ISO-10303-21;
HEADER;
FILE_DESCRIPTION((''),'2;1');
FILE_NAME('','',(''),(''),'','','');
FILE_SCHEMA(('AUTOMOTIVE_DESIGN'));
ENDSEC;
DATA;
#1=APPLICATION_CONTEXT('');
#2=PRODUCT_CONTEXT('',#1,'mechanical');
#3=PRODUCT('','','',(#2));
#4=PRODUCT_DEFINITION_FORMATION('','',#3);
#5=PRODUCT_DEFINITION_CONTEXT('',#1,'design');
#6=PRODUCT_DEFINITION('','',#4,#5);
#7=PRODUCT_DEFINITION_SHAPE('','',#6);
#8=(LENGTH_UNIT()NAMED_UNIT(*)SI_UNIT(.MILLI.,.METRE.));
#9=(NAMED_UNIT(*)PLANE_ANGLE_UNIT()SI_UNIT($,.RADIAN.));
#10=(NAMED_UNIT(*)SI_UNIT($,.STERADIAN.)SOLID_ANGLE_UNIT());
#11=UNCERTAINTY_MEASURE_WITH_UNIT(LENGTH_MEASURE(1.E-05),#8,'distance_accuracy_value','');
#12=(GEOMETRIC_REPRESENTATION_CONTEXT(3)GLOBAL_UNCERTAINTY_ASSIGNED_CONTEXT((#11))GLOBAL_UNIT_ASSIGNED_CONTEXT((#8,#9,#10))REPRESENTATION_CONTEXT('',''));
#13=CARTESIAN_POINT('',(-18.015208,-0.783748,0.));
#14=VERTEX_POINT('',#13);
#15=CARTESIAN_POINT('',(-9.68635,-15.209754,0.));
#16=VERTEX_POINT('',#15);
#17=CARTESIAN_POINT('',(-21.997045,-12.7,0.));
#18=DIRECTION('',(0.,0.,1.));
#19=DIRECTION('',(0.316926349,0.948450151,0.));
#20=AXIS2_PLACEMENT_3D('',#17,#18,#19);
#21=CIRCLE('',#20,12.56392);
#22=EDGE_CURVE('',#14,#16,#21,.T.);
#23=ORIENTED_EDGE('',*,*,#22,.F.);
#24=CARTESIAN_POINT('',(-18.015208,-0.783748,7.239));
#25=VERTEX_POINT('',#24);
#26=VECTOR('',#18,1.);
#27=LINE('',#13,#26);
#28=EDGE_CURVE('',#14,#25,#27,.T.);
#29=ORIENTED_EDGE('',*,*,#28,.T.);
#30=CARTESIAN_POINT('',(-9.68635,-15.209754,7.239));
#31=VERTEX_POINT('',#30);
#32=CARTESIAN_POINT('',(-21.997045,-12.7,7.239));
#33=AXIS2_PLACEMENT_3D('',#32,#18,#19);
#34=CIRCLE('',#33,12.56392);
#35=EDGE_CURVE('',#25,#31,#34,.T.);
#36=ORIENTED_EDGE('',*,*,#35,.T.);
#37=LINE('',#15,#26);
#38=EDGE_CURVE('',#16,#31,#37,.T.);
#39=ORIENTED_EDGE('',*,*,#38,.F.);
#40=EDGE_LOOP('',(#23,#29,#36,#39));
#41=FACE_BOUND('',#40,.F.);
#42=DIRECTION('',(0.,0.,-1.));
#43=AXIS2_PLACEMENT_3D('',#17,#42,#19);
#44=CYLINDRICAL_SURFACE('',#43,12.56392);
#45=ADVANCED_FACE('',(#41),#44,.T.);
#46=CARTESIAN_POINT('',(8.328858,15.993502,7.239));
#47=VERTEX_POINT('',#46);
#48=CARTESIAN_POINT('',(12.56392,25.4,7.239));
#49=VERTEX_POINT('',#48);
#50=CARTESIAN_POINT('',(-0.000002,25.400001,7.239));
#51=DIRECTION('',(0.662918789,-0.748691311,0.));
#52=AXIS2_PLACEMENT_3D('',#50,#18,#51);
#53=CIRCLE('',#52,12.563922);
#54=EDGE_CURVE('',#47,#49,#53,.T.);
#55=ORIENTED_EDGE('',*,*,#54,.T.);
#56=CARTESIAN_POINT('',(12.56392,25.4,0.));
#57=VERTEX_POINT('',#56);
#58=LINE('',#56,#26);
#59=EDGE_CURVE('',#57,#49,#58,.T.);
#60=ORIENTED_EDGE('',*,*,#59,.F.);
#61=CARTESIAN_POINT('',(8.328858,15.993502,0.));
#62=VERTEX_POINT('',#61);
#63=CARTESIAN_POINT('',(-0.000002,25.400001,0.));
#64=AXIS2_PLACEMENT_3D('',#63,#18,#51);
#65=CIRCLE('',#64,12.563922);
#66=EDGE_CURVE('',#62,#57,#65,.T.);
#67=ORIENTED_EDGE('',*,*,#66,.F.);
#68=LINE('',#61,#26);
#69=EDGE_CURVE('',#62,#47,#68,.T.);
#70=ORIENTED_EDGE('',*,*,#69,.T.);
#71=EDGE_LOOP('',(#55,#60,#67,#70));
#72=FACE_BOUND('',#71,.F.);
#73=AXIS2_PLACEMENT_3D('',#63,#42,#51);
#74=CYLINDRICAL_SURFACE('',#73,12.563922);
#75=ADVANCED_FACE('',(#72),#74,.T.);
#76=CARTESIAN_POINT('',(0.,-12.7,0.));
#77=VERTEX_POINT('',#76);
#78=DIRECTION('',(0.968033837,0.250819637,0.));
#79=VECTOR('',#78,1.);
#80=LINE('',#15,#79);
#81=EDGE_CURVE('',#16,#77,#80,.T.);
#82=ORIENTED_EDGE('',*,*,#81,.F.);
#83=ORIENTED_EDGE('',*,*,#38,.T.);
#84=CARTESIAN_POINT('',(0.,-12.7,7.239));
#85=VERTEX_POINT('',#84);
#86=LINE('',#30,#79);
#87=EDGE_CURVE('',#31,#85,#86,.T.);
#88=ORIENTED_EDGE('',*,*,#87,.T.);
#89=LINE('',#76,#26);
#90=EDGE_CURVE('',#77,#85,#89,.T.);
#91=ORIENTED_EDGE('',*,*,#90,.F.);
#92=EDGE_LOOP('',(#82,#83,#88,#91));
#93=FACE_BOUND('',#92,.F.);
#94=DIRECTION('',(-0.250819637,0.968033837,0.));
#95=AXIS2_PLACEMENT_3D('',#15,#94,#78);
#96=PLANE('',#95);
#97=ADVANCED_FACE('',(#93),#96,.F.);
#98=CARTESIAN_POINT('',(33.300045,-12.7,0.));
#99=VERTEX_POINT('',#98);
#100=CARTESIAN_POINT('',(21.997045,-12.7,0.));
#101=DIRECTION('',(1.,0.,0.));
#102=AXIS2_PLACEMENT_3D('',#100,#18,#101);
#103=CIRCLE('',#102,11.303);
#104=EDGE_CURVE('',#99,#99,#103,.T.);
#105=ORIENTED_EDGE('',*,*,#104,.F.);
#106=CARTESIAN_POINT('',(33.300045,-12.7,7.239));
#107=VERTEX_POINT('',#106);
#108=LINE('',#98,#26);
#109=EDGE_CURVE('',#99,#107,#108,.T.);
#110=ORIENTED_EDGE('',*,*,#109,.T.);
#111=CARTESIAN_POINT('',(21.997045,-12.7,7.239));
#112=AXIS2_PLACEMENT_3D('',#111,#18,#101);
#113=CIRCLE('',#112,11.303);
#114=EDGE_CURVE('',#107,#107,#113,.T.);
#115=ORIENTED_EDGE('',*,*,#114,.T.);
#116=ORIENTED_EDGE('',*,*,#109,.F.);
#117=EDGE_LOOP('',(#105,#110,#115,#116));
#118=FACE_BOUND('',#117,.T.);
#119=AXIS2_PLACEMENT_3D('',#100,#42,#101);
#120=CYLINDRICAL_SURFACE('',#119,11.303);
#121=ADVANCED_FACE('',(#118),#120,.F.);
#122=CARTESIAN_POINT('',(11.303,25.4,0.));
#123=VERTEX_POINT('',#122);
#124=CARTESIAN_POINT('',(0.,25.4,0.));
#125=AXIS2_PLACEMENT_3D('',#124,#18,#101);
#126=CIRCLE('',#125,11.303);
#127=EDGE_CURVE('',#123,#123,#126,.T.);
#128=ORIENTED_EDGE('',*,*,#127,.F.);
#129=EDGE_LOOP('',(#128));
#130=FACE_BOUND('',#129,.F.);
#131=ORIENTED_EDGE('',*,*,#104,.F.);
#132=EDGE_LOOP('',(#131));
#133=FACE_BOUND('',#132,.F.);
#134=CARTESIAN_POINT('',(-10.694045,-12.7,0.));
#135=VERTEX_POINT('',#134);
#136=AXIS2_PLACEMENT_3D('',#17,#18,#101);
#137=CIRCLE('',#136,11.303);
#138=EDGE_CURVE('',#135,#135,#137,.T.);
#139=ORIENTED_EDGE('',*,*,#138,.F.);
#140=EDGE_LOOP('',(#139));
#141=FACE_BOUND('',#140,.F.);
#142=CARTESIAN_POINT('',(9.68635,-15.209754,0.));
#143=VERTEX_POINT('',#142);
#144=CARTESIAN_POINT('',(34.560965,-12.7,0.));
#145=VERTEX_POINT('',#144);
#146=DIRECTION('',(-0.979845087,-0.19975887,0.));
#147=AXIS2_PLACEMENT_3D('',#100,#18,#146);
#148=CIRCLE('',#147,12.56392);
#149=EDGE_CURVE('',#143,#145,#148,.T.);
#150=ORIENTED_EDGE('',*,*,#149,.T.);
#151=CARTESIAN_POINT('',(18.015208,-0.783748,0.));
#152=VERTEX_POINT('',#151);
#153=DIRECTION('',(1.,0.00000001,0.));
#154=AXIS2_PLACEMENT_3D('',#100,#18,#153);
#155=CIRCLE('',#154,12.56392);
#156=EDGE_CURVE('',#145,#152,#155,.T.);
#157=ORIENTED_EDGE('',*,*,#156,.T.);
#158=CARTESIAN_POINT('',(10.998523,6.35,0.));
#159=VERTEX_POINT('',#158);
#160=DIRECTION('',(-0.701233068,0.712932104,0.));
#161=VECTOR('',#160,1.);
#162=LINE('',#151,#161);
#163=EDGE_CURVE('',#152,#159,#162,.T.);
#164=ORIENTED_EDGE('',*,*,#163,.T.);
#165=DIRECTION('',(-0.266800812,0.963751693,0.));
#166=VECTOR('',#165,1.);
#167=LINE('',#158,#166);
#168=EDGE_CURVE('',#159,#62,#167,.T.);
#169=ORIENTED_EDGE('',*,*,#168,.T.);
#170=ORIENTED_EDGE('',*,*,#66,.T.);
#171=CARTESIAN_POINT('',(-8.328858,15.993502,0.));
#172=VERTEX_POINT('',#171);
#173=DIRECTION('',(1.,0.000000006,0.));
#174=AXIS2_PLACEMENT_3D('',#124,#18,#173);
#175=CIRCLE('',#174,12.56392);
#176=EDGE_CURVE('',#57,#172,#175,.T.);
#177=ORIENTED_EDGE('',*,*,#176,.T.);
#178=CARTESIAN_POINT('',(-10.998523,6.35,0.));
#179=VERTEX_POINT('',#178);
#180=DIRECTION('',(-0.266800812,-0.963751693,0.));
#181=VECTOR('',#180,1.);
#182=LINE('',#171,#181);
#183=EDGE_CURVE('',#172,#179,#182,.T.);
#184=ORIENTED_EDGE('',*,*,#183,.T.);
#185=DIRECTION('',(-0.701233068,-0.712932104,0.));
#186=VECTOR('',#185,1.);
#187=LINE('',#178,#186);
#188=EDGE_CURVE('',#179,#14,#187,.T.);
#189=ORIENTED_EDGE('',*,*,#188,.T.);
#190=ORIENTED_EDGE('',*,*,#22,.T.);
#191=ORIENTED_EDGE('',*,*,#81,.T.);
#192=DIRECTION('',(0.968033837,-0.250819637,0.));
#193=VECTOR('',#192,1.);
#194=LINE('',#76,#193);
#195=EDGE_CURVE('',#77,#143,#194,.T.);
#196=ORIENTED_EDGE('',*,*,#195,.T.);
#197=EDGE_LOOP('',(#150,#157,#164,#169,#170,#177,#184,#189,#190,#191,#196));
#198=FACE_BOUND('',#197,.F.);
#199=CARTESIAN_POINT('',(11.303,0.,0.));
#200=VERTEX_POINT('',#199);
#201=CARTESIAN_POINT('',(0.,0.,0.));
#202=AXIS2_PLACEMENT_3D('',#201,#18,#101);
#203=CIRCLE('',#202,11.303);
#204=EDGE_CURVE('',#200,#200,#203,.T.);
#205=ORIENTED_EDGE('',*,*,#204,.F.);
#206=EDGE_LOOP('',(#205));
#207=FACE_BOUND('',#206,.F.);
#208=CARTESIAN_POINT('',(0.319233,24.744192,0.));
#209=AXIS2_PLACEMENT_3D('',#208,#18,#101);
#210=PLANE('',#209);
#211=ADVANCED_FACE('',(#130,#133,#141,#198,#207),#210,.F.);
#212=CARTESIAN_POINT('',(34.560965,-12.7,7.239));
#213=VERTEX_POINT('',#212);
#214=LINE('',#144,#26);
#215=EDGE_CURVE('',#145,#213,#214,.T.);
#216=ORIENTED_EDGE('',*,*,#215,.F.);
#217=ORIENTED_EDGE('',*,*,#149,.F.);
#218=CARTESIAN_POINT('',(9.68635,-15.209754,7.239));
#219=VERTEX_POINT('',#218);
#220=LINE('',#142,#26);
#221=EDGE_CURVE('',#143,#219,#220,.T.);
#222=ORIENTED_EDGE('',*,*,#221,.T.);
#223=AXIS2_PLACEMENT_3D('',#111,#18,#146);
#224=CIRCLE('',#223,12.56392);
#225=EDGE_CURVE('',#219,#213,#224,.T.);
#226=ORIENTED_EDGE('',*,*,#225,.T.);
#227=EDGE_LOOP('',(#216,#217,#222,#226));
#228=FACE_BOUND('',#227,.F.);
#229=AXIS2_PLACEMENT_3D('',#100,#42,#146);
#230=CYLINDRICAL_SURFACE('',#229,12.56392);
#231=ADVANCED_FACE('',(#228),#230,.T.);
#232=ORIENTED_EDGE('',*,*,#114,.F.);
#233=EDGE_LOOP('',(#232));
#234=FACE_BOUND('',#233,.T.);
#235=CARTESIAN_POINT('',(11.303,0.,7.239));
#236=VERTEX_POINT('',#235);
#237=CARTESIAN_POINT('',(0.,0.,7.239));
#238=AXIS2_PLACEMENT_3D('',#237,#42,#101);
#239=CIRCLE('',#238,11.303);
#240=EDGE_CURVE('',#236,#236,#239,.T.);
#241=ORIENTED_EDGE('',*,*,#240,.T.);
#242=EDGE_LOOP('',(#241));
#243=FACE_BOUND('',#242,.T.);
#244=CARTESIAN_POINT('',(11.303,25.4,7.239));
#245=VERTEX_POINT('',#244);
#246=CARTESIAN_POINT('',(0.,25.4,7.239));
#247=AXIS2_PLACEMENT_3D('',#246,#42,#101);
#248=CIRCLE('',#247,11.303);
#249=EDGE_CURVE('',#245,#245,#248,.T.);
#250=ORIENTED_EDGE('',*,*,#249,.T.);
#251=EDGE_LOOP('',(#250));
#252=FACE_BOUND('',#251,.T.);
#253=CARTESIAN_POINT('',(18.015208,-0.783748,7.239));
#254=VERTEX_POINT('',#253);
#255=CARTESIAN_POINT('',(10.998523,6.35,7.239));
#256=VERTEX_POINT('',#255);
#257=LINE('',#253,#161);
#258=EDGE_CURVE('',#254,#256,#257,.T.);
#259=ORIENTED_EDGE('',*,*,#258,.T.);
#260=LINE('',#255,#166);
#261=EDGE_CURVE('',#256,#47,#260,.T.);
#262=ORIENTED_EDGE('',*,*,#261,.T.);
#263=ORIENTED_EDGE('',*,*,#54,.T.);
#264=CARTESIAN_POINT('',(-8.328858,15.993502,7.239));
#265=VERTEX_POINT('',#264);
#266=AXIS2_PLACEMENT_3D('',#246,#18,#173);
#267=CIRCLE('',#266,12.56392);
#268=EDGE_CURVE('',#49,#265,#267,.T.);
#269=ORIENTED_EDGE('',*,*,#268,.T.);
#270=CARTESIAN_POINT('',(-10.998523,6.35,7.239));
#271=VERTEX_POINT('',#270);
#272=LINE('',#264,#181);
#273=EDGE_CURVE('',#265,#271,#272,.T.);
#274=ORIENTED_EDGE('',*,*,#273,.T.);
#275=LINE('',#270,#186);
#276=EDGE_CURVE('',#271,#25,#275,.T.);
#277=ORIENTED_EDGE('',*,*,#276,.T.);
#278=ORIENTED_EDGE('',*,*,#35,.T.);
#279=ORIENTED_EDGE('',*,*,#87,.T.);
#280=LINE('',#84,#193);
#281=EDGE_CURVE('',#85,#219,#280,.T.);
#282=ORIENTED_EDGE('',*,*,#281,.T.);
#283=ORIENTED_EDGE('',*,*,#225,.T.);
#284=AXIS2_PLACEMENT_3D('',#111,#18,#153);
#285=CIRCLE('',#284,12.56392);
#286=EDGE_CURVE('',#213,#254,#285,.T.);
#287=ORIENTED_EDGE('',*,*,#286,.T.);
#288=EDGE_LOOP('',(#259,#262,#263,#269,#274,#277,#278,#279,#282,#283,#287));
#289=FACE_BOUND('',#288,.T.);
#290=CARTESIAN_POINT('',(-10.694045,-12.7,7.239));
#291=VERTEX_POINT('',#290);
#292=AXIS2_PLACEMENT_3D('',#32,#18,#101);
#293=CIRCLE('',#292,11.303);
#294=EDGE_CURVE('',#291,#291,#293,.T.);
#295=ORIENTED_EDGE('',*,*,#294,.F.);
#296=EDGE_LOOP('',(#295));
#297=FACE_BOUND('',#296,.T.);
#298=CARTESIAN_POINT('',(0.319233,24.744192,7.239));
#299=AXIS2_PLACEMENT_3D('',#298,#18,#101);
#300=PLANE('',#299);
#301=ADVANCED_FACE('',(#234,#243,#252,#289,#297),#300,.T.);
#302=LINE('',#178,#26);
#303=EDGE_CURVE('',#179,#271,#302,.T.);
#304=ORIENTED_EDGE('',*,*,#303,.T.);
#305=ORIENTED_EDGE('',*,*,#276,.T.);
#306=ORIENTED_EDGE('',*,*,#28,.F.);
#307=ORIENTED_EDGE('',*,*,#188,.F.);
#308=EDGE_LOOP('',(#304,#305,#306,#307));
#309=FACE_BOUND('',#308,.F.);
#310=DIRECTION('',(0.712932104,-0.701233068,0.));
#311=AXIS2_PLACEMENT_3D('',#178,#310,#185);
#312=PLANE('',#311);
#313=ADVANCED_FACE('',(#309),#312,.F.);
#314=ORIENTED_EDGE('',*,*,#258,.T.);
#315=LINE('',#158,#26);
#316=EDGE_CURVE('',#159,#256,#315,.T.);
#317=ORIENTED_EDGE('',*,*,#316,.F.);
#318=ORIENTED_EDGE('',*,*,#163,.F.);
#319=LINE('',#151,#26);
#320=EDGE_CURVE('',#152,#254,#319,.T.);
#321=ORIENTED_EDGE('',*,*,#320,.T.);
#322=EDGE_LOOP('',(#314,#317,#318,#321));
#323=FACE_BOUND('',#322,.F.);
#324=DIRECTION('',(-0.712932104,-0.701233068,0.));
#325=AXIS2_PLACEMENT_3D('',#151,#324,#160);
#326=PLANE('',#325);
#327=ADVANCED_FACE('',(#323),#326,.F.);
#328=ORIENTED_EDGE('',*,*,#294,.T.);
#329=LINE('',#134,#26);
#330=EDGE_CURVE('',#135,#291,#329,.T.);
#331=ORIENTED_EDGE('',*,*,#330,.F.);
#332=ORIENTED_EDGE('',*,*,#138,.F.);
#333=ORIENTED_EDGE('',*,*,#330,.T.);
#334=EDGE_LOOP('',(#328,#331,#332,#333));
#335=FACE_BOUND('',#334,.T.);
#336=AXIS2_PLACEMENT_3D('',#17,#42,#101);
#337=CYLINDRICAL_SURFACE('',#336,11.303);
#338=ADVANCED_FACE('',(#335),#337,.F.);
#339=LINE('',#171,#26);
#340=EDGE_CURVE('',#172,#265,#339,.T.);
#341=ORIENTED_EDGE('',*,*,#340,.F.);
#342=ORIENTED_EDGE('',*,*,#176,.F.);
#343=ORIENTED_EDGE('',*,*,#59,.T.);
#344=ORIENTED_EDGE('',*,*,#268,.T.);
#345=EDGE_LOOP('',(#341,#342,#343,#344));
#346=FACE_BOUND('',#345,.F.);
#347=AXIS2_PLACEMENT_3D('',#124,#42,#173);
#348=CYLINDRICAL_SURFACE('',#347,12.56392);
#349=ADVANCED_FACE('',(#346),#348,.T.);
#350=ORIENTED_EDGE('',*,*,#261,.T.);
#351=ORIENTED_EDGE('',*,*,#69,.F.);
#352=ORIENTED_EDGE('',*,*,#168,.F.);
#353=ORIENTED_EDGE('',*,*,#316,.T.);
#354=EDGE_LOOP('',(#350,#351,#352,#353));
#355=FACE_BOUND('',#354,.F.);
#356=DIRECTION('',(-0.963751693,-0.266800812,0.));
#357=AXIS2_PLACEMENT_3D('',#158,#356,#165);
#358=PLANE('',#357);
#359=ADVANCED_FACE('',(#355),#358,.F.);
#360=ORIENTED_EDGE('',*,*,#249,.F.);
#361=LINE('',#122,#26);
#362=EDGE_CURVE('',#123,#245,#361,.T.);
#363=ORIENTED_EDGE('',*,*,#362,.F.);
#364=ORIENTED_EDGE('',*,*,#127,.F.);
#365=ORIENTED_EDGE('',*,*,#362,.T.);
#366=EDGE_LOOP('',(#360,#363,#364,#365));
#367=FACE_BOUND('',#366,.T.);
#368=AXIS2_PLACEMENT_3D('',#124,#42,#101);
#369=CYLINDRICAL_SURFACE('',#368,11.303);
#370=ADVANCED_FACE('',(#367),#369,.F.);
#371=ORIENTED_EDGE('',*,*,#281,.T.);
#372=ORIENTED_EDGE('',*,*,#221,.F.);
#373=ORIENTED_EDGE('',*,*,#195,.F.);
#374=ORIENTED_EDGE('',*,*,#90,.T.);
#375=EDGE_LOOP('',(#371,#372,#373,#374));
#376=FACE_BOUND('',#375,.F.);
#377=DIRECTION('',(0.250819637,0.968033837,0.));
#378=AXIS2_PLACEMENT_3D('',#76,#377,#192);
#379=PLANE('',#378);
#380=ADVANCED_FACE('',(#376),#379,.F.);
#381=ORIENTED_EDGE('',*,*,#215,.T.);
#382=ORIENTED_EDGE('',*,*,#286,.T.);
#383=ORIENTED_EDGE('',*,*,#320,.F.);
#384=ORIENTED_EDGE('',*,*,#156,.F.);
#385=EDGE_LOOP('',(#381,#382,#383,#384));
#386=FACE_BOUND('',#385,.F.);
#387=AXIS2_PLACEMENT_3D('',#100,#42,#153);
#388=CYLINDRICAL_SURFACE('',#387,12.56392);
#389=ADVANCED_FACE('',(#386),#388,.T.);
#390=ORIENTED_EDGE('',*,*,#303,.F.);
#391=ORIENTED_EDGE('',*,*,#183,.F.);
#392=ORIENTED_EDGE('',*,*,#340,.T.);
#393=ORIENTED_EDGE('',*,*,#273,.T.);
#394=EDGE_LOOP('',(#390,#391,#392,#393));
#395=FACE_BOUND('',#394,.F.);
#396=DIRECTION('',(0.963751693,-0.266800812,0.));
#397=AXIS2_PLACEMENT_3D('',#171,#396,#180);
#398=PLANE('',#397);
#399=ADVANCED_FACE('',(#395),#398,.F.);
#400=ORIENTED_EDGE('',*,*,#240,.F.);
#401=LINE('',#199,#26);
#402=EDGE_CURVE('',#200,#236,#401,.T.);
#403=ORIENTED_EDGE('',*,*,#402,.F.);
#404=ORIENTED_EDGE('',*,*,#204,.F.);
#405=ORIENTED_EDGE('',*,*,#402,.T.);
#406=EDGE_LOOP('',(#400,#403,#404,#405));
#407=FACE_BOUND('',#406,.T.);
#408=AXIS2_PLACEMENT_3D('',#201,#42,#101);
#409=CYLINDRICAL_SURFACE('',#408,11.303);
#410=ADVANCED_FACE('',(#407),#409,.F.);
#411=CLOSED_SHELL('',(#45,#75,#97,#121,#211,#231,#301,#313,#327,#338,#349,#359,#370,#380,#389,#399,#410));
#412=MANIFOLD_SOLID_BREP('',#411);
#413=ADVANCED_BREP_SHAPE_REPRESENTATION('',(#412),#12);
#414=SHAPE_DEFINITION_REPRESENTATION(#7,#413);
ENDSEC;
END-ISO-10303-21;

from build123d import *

# Parameters (mm, degrees)
F0_R     = 11.303
F1_DEPTH = 7.239
F2_DEPTH = 25.4


with BuildPart() as f1:
    # F0 (on Top) → F1 (new body)
    with BuildSketch(Plane.XY):
        with BuildLine():
            ThreePointArc((-8.328858, 15.993502), (0, 12.83608), (8.328858, 15.993502))
            ThreePointArc((8.328858, 15.993502), (11.456334, 20.242046), (12.56392, 25.4))
            ThreePointArc((12.56392, 25.4), (-5.157954, 36.856334), (-8.328858, 15.993502))
        make_face()
        with Locations((0, 25.4)):
            Circle(F0_R, mode=Mode.SUBTRACT)
        with Locations((0, 25.4)):
            Circle(F0_R)
        with BuildLine():
            ThreePointArc((10.998523, 6.35), (12.267258, 3.287002), (12.7, 0))
            ThreePointArc((12.7, 0), (8.980256, -8.980256), (0, -12.7))
            Line((0, -12.7), (9.68635, -15.209754))
            ThreePointArc((9.68635, -15.209754), (11.116371, -6.41804), (18.015208, -0.783748))
            Line((18.015208, -0.783748), (10.998523, 6.35))
        make_face()
        with BuildLine():
            ThreePointArc((-10.998523, 6.35), (0, 12.7), (10.998523, 6.35))
            Line((10.998523, 6.35), (8.328858, 15.993502))
            ThreePointArc((8.328858, 15.993502), (0, 12.83608), (-8.328858, 15.993502))
            Line((-8.328858, 15.993502), (-10.998523, 6.35))
        make_face()
        with Locations((-21.997045, -12.7)):
            Circle(F0_R)
        with Locations((21.997045, -12.7)):
            Circle(F0_R)
        with BuildLine():
            ThreePointArc((0, -12.7), (8.980256, -8.980256), (12.7, 0))
            ThreePointArc((12.7, 0), (12.267258, 3.287002), (10.998523, 6.35))
            ThreePointArc((10.998523, 6.35), (0, 12.7), (-10.998523, 6.35))
            ThreePointArc((-10.998523, 6.35), (-10.998523, -6.35), (0, -12.7))
        make_face()
        Circle(F0_R, mode=Mode.SUBTRACT)
        Circle(F0_R)
        with BuildLine():
            ThreePointArc((34.560965, -12.7), (29.339545, -2.504914), (18.015208, -0.783748))
            ThreePointArc((18.015208, -0.783748), (11.116371, -6.41804), (9.68635, -15.209754))
            ThreePointArc((9.68635, -15.209754), (23.258293, -25.200453), (34.560965, -12.7))
        make_face()
        with Locations((21.997045, -12.7)):
            Circle(F0_R, mode=Mode.SUBTRACT)
        with BuildLine():
            ThreePointArc((-18.015208, -0.783748), (-32.877719, -18.98196), (-9.68635, -15.209754))
            ThreePointArc((-9.68635, -15.209754), (-9.496592, -13.961248), (-9.433125, -12.7))
            ThreePointArc((-9.433125, -12.7), (-11.801959, -5.3575), (-18.015208, -0.783748))
        make_face()
        with Locations((-21.997045, -12.7)):
            Circle(F0_R, mode=Mode.SUBTRACT)
        with BuildLine():
            Line((-9.68635, -15.209754), (0, -12.7))
            ThreePointArc((0, -12.7), (-10.998523, -6.35), (-10.998523, 6.35))
            Line((-10.998523, 6.35), (-18.015208, -0.783748))
            ThreePointArc((-18.015208, -0.783748), (-11.801959, -5.3575), (-9.433125, -12.7))
            ThreePointArc((-9.433125, -12.7), (-9.496592, -13.961248), (-9.68635, -15.209754))
        make_face()
    extrude(amount=F1_DEPTH)

    # F0 (on Top) → F2 (cut)
    with BuildSketch(Plane.XY):
        with Locations((21.997045, -12.7)):
            Circle(F0_R)
        Circle(F0_R)
        with Locations((0, 25.4)):
            Circle(F0_R)
        with Locations((-21.997045, -12.7)):
            Circle(F0_R)
    extrude(amount=F2_DEPTH, mode=Mode.SUBTRACT)


solid = f1.part
